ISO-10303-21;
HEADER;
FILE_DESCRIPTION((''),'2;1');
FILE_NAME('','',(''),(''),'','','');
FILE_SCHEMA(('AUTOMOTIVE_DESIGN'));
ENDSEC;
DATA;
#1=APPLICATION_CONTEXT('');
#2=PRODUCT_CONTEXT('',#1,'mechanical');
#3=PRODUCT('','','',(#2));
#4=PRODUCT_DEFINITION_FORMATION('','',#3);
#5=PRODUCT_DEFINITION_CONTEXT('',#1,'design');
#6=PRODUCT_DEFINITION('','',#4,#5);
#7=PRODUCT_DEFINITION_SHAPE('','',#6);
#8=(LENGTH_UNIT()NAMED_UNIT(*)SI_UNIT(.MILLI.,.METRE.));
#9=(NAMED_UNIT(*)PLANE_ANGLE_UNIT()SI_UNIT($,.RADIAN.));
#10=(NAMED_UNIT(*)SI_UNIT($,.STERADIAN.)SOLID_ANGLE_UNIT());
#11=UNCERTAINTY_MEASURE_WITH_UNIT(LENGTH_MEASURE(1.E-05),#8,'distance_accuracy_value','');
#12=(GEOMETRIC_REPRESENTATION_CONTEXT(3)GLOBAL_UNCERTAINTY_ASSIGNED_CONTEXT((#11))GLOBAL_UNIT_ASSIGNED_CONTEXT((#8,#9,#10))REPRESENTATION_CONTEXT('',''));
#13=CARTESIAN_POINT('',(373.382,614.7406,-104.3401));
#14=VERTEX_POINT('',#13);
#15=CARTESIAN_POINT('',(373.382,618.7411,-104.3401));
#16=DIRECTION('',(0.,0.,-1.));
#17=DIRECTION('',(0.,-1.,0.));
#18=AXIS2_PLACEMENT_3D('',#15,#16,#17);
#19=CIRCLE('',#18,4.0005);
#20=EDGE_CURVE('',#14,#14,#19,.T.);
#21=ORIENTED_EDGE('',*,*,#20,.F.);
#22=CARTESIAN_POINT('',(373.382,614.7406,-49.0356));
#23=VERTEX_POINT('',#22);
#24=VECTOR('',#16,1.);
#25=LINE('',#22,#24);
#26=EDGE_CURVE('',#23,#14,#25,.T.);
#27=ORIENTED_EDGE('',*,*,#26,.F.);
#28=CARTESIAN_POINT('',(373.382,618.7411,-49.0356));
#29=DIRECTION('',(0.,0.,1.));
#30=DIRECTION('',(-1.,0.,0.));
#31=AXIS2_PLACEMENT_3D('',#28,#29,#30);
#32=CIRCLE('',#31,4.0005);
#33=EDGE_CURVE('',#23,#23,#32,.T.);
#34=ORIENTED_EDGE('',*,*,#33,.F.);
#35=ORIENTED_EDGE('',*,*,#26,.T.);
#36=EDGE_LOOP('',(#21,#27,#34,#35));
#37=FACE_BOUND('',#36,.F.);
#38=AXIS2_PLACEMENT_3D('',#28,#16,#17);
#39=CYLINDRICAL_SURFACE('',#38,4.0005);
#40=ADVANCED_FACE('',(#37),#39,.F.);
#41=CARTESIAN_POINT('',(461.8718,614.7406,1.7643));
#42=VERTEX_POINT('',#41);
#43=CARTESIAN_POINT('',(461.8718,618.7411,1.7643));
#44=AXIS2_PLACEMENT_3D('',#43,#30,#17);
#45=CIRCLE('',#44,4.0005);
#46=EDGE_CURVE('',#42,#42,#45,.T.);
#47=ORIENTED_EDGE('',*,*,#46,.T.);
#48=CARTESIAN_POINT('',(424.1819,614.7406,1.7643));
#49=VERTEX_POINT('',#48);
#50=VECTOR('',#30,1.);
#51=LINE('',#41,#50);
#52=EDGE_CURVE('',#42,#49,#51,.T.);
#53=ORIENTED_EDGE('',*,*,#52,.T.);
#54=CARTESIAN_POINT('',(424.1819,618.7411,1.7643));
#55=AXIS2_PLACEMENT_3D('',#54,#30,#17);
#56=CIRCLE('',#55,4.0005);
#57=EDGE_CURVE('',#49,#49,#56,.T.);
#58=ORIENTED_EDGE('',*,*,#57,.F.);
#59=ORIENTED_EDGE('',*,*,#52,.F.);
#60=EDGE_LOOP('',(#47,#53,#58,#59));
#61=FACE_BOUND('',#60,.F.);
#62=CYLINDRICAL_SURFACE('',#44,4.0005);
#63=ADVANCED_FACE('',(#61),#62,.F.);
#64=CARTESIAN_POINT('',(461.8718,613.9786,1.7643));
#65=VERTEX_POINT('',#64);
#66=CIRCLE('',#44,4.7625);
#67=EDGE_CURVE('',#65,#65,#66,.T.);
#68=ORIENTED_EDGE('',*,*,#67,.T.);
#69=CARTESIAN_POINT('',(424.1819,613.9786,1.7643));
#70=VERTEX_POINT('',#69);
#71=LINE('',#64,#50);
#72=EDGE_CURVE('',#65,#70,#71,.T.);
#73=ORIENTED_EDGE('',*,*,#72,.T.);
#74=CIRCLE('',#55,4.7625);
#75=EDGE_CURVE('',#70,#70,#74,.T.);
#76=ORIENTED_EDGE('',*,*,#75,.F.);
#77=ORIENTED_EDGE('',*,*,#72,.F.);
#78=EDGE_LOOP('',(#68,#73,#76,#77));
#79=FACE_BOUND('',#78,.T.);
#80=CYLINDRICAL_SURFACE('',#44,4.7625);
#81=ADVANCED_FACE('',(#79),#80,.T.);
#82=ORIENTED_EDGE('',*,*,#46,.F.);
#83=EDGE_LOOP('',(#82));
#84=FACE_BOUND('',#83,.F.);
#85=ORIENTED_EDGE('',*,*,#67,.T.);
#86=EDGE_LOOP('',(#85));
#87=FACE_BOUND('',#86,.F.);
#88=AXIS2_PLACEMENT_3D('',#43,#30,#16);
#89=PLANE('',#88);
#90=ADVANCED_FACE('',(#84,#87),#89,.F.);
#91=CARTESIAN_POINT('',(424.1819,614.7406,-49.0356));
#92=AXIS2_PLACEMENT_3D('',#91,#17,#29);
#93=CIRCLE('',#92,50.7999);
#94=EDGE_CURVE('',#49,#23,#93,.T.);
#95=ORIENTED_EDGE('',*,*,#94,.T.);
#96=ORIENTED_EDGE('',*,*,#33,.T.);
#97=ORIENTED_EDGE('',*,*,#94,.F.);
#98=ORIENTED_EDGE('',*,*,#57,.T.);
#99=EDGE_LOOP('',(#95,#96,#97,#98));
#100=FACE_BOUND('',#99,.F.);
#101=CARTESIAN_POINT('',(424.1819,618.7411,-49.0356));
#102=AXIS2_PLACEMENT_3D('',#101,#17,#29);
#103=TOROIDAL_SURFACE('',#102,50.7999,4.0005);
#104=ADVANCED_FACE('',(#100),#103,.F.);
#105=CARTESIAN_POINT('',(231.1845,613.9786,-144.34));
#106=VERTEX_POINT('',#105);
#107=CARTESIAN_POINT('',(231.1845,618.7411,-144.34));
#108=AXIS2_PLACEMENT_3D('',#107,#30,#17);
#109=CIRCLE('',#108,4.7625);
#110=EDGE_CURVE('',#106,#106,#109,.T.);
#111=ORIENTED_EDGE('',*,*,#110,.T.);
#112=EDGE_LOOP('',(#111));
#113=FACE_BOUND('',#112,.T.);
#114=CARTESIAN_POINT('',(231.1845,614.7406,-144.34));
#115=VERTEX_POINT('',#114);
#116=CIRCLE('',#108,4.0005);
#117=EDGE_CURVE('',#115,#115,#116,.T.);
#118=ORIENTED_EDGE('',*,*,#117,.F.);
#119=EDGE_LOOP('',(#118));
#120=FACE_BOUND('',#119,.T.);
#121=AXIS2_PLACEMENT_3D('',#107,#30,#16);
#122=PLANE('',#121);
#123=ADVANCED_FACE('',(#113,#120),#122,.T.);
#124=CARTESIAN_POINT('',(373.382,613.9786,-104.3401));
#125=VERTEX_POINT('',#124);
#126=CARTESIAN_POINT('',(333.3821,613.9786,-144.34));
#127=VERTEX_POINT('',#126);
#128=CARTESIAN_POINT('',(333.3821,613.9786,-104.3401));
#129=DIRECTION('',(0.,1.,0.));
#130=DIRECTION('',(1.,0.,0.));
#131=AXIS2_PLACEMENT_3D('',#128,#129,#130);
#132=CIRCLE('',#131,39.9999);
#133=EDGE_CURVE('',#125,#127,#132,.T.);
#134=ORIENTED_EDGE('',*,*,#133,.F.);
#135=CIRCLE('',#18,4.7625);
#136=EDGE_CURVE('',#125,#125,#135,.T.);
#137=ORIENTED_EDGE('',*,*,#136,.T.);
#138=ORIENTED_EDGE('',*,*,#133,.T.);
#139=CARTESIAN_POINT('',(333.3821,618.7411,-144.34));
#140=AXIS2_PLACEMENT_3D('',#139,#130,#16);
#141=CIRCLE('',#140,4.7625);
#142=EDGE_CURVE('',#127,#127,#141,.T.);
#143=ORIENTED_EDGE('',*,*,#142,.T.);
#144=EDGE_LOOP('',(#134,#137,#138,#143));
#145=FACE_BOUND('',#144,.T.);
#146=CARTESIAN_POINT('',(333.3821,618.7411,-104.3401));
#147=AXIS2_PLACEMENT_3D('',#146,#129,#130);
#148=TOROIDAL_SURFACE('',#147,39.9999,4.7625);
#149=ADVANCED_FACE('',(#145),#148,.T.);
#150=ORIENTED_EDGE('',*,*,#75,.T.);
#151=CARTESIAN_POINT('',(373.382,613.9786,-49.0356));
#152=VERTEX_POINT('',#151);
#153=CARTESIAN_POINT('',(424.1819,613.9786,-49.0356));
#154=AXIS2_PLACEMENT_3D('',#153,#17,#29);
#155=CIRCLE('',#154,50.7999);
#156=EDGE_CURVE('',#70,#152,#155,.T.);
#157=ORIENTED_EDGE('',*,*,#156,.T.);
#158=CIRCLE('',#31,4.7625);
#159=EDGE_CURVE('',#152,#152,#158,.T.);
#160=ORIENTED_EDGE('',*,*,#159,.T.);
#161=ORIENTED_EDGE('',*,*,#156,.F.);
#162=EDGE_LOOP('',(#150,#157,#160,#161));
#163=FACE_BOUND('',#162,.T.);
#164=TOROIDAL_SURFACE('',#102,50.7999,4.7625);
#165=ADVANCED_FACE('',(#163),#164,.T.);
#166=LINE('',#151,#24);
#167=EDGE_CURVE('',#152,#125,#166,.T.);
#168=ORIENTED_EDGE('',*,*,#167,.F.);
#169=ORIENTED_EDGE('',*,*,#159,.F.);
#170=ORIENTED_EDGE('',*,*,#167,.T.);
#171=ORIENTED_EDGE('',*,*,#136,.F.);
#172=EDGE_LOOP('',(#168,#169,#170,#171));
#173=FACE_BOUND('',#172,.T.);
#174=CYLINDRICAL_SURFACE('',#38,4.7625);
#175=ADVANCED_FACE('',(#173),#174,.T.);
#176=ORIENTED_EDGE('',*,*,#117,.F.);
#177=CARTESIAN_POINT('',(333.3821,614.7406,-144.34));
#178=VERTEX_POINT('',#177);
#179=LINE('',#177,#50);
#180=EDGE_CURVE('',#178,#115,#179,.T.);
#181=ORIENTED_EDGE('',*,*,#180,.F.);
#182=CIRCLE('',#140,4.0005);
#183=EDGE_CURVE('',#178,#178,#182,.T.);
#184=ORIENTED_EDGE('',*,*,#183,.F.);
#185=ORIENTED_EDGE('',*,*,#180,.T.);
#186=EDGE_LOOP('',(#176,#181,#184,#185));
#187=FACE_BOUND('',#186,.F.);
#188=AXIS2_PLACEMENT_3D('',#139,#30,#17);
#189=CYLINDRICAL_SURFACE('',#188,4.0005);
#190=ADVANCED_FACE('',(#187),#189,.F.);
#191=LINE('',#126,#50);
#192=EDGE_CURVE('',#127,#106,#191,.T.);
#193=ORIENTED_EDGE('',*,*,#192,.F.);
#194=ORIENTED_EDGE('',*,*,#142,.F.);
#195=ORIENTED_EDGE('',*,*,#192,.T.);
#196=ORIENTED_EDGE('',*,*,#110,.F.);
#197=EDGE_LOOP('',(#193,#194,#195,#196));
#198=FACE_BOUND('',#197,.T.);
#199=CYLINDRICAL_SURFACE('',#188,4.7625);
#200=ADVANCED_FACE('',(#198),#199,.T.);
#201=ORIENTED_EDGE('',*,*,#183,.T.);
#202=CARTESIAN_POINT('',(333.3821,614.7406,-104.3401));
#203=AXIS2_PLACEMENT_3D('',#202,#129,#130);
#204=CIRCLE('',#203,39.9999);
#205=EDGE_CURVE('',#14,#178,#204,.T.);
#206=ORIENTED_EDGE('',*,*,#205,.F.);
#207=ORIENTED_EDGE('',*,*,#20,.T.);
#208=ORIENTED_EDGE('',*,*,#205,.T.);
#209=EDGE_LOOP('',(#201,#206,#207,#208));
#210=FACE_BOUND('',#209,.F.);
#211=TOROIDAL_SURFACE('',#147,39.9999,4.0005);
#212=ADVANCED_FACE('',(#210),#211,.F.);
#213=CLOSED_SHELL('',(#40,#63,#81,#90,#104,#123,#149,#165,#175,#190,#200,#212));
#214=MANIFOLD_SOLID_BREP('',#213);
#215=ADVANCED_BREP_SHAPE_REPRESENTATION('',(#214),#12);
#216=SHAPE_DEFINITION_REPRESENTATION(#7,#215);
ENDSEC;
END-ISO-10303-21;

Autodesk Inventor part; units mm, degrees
ref_plane "YZ Plane" through (0, 0, 0) normal (1, 0, 0) x (0, 1, 0)
ref_plane "XZ Plane" through (0, 0, 0) normal (0, 1, 0) x (-1, 0, 0)
ref_plane "Work Plane1" through (461.8718, 618.7411, 1.7643) normal (-1, 0, 0) x (0, -1, 0)
sketch "Sketch3" plane through (461.8718, 618.7411, 1.7643) normal (-1, 0, 0) x (0, -1, 0)
  circle A0 centre (0, 0) radius 4.7625
  circle A1 centre (0, 0) radius 4.0005
sketch3d "3D Sketch1"
  line L0 (461.8718, 618.7411, 1.7643) -> (424.1819, 618.7411, 1.7643)
  arc A0 (424.1819, 618.7411, 1.7643) -> (373.382, 618.7411, -49.0356) centre (424.1819, 618.7411, -49.0356) ccw
  line L1 (373.382, 618.7411, -49.0356) -> (373.382, 618.7411, -104.3401)
  arc A1 (373.382, 618.7411, -104.3401) -> (333.3821, 618.7411, -144.34) centre (333.3821, 618.7411, -104.3401) ccw
  line L2 (333.3821, 618.7411, -144.34) -> (231.1845, 618.7411, -144.34)
  dimension "d4" = 50.7999
  dimension "d5" = 39.9999
sweep "Sweep1" add profiles "Sketch3" path "3D Sketch1"
equation "\"OD\" = 9.525"
equation "\"t\" = 0.762"
equation "\"L\" = PL"
equation "\"ID\" = 8.001"
equation "\"PL\" = 337.82"
equation "\"Size_Designation\" = 1.2345"
properties material "Copper"
